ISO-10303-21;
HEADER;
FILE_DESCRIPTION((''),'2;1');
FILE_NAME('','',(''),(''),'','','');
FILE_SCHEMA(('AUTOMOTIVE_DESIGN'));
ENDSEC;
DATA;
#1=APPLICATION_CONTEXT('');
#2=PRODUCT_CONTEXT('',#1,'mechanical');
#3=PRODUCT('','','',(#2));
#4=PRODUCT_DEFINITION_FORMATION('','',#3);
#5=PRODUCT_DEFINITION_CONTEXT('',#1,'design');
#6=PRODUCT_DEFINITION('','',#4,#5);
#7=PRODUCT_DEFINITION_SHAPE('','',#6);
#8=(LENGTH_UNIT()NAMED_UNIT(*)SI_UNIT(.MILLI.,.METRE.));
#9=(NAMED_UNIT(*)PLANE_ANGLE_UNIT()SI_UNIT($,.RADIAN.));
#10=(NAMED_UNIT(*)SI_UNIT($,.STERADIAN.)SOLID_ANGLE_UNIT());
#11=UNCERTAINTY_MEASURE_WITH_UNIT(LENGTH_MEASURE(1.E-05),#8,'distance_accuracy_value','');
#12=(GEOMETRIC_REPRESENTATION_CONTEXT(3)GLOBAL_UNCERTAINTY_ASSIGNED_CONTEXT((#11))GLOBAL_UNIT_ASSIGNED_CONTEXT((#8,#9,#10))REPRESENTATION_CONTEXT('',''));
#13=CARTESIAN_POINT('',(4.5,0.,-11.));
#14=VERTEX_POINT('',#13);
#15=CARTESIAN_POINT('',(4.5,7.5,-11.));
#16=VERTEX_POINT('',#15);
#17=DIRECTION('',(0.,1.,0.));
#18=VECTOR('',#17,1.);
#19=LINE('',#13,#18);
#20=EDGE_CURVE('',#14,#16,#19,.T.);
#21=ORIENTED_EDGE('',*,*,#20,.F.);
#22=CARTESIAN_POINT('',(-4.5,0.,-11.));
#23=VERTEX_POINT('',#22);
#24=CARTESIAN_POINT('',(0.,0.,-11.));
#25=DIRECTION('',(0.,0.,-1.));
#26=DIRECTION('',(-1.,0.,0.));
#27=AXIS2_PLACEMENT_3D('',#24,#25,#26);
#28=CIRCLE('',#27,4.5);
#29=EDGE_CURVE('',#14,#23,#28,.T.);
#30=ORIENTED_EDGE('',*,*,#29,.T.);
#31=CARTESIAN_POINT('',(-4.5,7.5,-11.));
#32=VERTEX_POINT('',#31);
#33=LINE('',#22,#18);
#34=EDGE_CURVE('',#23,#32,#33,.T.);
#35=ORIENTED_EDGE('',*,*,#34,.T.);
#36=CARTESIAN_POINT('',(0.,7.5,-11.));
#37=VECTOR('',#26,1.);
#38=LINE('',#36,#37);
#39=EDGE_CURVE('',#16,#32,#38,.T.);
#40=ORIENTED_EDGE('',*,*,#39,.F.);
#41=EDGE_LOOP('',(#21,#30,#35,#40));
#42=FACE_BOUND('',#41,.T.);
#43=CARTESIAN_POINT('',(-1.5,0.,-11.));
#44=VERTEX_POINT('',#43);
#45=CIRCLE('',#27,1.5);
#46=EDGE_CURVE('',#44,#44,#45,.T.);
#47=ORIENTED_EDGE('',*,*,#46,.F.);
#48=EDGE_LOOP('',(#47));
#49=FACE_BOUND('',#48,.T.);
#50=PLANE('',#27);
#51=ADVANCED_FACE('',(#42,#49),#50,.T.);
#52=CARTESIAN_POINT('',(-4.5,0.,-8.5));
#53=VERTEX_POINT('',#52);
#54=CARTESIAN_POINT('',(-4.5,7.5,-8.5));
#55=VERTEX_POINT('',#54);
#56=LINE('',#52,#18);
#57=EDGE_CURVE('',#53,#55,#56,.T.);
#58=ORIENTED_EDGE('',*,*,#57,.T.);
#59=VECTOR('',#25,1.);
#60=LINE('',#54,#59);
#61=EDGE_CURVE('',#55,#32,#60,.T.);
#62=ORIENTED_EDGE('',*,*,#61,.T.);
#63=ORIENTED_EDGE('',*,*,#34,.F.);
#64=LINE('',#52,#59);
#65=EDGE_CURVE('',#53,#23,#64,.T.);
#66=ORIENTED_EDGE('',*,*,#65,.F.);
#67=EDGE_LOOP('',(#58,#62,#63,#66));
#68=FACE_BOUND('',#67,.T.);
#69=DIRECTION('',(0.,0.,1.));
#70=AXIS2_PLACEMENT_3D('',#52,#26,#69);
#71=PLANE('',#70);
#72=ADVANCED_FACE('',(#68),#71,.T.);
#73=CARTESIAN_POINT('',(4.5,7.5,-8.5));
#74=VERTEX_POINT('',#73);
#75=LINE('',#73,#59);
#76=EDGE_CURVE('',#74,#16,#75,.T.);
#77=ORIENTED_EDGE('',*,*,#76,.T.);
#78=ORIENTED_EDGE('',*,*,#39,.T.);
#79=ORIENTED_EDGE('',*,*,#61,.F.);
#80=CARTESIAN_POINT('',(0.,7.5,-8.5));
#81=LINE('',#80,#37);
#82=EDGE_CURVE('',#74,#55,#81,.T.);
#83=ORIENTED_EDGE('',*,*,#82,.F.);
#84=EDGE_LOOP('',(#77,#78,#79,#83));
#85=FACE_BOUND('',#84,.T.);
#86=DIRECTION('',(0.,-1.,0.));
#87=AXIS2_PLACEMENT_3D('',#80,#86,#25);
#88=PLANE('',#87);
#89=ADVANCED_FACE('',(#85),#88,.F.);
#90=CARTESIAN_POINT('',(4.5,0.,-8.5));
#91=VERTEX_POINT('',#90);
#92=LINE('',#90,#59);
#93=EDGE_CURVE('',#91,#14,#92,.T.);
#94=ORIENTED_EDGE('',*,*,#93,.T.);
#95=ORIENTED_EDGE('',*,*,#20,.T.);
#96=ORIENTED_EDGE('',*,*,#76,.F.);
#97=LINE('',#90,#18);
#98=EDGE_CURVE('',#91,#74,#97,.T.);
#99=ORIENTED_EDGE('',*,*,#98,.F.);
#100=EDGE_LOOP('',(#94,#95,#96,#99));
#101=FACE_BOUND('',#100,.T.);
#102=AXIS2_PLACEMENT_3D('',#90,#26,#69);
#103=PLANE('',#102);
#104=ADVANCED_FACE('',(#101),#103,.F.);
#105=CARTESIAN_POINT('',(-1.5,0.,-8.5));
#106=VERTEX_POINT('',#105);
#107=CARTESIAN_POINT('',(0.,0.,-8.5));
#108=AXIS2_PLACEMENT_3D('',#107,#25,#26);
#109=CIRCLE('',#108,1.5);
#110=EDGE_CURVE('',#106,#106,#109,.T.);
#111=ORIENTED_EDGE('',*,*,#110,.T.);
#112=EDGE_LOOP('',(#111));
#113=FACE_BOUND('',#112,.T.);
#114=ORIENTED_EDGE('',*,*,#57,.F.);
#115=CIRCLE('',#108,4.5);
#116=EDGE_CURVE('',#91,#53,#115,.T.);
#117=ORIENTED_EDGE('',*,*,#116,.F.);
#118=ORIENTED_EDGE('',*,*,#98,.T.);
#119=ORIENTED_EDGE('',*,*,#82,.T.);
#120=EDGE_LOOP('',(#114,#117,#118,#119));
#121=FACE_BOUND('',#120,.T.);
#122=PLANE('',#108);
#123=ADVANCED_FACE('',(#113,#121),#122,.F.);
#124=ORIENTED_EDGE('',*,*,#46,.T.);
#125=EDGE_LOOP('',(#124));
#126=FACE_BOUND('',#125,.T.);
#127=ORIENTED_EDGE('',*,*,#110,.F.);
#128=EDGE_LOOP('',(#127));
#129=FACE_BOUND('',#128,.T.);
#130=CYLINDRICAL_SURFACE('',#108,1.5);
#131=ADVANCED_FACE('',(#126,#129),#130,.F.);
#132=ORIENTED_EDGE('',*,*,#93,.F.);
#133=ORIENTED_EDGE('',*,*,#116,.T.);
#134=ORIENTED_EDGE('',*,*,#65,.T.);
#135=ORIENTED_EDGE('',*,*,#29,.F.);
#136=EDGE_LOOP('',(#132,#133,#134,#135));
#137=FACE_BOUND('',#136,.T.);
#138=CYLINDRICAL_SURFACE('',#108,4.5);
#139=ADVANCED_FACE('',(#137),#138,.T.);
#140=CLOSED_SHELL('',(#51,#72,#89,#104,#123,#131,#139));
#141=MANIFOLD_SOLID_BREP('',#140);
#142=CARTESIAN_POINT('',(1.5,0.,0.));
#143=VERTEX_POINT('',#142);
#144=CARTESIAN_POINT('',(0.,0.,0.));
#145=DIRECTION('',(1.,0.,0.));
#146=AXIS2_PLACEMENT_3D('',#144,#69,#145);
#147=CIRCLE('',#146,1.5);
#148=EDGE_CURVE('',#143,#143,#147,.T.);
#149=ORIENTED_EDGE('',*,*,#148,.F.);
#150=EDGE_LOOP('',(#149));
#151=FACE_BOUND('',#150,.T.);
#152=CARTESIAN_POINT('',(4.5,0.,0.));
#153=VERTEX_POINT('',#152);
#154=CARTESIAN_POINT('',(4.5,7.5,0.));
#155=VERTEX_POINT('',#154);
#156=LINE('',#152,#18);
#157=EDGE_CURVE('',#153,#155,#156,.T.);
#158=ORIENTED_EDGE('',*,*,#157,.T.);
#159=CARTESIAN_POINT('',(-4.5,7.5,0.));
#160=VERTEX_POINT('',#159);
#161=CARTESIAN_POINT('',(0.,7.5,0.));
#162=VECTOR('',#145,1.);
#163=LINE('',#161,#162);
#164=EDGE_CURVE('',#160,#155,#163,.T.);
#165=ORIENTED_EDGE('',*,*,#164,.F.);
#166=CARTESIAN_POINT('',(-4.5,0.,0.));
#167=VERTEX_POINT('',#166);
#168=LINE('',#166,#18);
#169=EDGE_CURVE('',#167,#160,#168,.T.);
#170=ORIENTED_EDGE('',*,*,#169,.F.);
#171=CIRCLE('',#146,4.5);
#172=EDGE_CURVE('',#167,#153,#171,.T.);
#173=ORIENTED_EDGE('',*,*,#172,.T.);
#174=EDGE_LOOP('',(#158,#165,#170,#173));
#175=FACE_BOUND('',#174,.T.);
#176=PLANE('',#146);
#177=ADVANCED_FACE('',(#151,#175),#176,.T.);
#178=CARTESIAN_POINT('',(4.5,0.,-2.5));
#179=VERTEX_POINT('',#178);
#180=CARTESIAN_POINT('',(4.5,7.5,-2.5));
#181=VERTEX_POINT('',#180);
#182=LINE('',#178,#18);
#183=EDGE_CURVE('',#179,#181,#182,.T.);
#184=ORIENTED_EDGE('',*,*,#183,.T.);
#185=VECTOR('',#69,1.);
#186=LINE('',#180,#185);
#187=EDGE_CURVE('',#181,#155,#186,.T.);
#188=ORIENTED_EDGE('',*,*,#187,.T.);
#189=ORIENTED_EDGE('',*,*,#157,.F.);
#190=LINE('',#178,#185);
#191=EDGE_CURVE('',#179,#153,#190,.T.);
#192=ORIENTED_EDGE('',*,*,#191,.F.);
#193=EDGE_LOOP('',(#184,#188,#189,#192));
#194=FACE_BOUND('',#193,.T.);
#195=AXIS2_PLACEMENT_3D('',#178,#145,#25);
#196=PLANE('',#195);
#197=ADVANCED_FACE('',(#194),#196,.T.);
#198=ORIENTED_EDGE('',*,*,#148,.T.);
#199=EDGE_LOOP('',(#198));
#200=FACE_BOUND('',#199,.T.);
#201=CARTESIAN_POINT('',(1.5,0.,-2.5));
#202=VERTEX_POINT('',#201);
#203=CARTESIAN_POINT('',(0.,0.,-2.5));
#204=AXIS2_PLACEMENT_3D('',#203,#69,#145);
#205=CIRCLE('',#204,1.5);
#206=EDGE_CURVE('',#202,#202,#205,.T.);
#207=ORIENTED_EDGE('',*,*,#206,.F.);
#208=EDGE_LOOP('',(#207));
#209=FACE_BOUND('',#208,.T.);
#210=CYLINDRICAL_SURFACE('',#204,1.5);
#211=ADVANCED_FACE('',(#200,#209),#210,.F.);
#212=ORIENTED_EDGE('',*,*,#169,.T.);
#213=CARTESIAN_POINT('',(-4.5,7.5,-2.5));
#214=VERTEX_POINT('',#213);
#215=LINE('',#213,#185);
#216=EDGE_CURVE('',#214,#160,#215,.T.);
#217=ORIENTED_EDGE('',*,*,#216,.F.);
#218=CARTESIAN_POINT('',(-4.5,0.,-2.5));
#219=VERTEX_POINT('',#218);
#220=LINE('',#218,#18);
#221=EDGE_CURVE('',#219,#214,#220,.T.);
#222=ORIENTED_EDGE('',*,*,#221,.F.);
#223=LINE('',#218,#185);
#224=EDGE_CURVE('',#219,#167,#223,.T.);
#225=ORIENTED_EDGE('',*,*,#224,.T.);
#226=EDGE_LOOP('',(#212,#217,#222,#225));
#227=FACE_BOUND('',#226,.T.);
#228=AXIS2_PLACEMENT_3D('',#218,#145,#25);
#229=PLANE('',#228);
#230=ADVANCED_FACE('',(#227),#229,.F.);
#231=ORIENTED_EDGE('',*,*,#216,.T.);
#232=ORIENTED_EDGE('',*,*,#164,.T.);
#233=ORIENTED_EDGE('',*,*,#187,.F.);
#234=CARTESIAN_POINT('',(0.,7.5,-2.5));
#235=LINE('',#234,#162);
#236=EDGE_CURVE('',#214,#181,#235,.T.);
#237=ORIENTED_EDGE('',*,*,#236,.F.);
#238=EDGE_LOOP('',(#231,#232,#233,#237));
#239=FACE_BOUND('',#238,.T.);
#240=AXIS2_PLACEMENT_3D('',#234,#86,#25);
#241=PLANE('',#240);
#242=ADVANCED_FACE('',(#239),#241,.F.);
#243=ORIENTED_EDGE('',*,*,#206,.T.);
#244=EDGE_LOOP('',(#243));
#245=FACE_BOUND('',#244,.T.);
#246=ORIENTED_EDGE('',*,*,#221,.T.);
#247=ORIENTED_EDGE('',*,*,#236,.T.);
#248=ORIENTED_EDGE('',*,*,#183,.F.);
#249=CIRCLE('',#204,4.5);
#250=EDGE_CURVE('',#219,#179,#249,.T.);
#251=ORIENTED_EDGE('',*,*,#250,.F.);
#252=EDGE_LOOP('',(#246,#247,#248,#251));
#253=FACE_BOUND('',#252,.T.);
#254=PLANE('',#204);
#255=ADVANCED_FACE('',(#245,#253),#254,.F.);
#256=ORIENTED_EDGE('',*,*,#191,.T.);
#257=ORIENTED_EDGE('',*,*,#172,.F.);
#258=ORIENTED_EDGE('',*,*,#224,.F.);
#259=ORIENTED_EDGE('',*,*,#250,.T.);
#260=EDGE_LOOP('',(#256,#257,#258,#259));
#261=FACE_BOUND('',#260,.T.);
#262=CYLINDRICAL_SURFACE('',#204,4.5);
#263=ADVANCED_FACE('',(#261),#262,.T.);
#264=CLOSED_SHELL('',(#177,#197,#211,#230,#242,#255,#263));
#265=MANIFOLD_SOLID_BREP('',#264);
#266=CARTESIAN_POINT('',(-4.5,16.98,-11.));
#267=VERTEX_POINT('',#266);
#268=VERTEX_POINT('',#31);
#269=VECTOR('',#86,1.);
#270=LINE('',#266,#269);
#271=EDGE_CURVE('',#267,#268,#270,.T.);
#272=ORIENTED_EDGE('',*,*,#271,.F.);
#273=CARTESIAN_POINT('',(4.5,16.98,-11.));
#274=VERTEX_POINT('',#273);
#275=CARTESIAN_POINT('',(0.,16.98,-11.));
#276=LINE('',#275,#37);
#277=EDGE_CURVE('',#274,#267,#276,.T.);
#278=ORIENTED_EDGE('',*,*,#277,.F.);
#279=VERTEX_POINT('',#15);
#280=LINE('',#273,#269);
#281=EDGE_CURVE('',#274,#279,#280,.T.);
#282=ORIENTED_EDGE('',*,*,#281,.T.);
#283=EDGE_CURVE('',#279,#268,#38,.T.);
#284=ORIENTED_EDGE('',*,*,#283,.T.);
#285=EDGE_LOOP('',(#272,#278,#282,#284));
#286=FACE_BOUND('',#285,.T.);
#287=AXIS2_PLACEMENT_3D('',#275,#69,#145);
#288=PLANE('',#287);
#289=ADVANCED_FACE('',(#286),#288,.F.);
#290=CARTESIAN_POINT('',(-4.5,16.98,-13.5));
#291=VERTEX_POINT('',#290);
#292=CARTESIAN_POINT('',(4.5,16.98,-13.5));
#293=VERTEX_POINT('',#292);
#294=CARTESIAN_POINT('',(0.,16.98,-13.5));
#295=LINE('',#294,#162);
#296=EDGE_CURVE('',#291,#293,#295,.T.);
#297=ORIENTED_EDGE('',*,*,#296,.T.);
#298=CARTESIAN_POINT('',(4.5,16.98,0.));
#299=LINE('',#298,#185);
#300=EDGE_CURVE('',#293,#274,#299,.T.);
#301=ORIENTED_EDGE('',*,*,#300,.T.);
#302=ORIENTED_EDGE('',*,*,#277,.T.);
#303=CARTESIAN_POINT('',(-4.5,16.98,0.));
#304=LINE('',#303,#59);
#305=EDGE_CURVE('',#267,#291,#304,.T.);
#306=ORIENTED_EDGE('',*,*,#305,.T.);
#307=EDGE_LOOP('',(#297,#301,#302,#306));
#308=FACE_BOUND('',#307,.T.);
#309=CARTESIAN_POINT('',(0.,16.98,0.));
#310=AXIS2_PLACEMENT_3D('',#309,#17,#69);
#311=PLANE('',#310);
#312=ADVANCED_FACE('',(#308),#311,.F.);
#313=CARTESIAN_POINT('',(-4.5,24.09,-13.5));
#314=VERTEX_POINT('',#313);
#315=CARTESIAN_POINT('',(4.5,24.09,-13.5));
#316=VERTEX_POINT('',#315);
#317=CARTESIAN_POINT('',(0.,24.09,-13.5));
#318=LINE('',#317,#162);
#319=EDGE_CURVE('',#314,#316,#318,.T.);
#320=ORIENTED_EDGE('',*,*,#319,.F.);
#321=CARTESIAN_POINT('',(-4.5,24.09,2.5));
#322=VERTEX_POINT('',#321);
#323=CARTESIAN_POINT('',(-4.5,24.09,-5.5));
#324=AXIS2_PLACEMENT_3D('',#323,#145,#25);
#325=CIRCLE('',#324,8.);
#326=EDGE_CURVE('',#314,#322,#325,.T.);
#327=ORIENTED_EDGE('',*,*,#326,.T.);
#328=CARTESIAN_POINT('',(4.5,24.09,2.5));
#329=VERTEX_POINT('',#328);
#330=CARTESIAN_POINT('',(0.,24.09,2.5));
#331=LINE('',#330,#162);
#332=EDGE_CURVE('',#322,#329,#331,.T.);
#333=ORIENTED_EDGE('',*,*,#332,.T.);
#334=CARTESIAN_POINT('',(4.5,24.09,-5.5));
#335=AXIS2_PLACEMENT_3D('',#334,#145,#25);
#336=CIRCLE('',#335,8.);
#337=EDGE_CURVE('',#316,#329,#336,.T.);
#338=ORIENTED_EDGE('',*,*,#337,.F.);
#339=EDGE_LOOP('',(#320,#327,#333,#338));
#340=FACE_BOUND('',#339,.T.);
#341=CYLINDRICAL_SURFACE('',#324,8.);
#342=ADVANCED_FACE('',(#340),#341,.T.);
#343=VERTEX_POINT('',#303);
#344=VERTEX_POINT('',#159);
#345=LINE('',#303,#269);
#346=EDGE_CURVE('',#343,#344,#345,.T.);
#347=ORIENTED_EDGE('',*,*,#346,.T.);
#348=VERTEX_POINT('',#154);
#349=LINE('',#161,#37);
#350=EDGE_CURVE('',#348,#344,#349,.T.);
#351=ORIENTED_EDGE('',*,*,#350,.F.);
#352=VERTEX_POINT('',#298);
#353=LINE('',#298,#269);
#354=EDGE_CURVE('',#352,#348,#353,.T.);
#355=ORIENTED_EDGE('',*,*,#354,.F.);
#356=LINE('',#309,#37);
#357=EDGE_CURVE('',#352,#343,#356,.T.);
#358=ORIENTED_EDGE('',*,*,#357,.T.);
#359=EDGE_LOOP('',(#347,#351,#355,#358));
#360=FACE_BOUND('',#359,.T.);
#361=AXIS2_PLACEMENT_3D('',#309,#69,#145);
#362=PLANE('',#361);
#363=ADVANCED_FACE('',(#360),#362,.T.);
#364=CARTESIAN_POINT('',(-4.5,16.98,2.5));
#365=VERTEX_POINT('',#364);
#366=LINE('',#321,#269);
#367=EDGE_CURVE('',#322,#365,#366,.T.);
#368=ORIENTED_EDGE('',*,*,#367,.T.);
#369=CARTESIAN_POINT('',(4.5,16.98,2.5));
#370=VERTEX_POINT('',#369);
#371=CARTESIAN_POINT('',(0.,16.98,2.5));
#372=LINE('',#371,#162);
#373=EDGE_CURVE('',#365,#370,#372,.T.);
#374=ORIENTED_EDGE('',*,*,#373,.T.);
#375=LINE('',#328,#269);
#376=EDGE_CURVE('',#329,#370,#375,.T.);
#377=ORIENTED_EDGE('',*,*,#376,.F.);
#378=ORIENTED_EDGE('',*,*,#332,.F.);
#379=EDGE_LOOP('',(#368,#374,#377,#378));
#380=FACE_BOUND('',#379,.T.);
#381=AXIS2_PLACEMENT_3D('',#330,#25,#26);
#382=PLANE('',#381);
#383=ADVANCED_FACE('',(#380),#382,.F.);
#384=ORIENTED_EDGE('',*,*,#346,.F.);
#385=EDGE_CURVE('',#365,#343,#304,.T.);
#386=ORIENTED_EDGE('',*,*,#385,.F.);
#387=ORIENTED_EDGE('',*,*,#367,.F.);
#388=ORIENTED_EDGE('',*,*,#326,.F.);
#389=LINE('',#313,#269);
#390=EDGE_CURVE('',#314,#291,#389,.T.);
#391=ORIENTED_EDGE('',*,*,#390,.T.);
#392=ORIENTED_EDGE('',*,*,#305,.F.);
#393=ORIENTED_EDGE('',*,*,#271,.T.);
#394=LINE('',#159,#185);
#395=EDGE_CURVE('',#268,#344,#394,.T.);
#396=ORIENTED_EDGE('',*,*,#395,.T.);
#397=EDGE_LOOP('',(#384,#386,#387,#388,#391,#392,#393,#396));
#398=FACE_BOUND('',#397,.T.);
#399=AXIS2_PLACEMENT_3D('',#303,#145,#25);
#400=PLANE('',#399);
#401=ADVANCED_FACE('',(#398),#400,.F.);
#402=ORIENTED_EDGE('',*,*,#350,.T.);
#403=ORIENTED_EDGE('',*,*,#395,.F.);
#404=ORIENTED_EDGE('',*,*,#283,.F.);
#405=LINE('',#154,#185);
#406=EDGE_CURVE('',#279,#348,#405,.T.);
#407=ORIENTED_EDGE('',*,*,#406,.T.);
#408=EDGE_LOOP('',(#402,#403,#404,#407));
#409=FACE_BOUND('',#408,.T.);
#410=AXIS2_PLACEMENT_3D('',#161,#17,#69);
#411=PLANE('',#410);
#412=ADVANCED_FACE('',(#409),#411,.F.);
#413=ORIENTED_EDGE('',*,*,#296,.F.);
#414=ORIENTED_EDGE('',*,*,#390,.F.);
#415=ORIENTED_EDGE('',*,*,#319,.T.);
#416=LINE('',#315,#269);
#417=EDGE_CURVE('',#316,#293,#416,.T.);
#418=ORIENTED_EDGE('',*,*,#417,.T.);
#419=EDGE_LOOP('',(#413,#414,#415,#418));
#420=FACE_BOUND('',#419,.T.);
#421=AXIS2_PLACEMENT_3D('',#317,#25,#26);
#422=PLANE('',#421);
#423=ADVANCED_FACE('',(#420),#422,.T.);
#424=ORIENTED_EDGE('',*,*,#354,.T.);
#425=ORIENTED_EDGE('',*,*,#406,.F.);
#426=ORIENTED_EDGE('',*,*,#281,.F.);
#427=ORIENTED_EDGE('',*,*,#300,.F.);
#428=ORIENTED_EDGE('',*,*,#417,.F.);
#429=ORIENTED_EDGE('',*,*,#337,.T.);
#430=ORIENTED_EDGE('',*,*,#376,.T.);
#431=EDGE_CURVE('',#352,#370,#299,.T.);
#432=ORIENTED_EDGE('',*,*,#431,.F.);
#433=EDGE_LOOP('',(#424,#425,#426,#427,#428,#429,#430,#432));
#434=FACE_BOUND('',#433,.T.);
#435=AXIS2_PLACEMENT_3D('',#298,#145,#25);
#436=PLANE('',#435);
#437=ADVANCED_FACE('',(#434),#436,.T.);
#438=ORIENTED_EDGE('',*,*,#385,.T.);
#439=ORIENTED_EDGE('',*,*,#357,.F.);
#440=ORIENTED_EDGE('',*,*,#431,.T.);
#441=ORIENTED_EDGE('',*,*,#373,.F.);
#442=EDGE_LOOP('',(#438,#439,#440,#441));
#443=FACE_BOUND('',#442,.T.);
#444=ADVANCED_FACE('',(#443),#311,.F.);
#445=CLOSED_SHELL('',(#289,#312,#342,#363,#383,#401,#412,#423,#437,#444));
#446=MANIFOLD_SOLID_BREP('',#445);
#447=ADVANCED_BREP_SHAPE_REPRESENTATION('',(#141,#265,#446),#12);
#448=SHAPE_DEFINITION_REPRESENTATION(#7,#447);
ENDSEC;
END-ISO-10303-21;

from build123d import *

# Parameters (mm, degrees)
SKETCH1_R           = 4.5
SKETCH1_R_2         = 1.5
BOSS_EXTRUDE1_DEPTH = 2.5
SKETCH4_R           = 4.5
SKETCH4_R_2         = 1.5
BOSS_EXTRUDE2_DEPTH = 2.5
SKETCH5_W           = 9
SKETCH5_H           = 11
BOSS_EXTRUDE3_DEPTH = 9.48
SKETCH6_W           = 9
SKETCH6_H           = 2.5
SKETCH6_H_2         = 11
BOSS_EXTRUDE4_DEPTH = 7.11
SKETCH9_R           = 8
BOSS_EXTRUDE5_DEPTH = 9


with BuildPart() as part:
    # Sketch1 → Boss-Extrude1 (new body)
    # profile 1 of 2: a face of its own
    with BuildSketch(Plane.XY):
        Circle(SKETCH1_R)
        Circle(SKETCH1_R_2, mode=Mode.SUBTRACT)
    # profile 2 of 2: a face of its own
    with BuildSketch(Plane.XY):
        with BuildLine():
            Line((-4.5, 7.5), (-4.5, 0))
            ThreePointArc((-4.5, 0), (0, 4.5), (4.5, 0))
            Line((4.5, 0), (4.5, 7.5))
            Line((4.5, 7.5), (-4.5, 7.5))
        make_face()
    extrude(amount=-BOSS_EXTRUDE1_DEPTH)


with BuildPart() as body_2:
    # Sketch4 → Boss-Extrude2 (new body)
    # profile 1 of 2: a face of its own
    with BuildSketch(Plane(origin=(0, 0, -11), x_dir=(-1, 0, 0), z_dir=(0, 0, -1))):
        Circle(SKETCH4_R)
        Circle(SKETCH4_R_2, mode=Mode.SUBTRACT)
    # profile 2 of 2: a face of its own
    with BuildSketch(Plane(origin=(0, 0, -11), x_dir=(-1, 0, 0), z_dir=(0, 0, -1))):
        with BuildLine():
            Line((-4.5, 7.5), (-4.5, 0))
            ThreePointArc((-4.5, 0), (0, 4.5), (4.5, 0))
            Line((4.5, 0), (4.5, 7.5))
            Line((4.5, 7.5), (-4.5, 7.5))
        make_face()
    extrude(amount=-BOSS_EXTRUDE2_DEPTH)


with BuildPart() as body_3:
    # Sketch5 → Boss-Extrude3 (new body)
    with BuildSketch(Plane(origin=(0, 7.5, 0), x_dir=(1, 0, 0), z_dir=(0, 1, 0))):
        with Locations((0, 5.5)):
            Rectangle(SKETCH5_W, SKETCH5_H)
    extrude(amount=BOSS_EXTRUDE3_DEPTH)



with BuildPart() as body_4:
    # Sketch6 → Boss-Extrude4 (new body)
    with BuildSketch(Plane(origin=(0, 16.98, 0), x_dir=(1, 0, 0), z_dir=(0, 1, 0))):
        with Locations((0, 12.25)):
            Rectangle(SKETCH6_W, SKETCH6_H)
        with Locations((0, 5.5)):
            Rectangle(SKETCH6_W, SKETCH6_H_2)
        with Locations((0, -1.25)):
            Rectangle(SKETCH6_W, SKETCH6_H)
    extrude(amount=BOSS_EXTRUDE4_DEPTH)


with BuildPart() as body_3_1:
    add(body_3.part)

    add(body_4.part)  # Boss-Extrude5 merges body 4
    # Sketch9 → Boss-Extrude5 (add)
    with BuildSketch(Plane(origin=(4.5, 0, 0), x_dir=(0, 0, -1), z_dir=(1, 0, 0))):
        with Locations((5.5, 24.09)):
            Circle(SKETCH9_R)
    extrude(amount=-BOSS_EXTRUDE5_DEPTH)


solid = Compound([part.part, body_2.part, body_3_1.part])
